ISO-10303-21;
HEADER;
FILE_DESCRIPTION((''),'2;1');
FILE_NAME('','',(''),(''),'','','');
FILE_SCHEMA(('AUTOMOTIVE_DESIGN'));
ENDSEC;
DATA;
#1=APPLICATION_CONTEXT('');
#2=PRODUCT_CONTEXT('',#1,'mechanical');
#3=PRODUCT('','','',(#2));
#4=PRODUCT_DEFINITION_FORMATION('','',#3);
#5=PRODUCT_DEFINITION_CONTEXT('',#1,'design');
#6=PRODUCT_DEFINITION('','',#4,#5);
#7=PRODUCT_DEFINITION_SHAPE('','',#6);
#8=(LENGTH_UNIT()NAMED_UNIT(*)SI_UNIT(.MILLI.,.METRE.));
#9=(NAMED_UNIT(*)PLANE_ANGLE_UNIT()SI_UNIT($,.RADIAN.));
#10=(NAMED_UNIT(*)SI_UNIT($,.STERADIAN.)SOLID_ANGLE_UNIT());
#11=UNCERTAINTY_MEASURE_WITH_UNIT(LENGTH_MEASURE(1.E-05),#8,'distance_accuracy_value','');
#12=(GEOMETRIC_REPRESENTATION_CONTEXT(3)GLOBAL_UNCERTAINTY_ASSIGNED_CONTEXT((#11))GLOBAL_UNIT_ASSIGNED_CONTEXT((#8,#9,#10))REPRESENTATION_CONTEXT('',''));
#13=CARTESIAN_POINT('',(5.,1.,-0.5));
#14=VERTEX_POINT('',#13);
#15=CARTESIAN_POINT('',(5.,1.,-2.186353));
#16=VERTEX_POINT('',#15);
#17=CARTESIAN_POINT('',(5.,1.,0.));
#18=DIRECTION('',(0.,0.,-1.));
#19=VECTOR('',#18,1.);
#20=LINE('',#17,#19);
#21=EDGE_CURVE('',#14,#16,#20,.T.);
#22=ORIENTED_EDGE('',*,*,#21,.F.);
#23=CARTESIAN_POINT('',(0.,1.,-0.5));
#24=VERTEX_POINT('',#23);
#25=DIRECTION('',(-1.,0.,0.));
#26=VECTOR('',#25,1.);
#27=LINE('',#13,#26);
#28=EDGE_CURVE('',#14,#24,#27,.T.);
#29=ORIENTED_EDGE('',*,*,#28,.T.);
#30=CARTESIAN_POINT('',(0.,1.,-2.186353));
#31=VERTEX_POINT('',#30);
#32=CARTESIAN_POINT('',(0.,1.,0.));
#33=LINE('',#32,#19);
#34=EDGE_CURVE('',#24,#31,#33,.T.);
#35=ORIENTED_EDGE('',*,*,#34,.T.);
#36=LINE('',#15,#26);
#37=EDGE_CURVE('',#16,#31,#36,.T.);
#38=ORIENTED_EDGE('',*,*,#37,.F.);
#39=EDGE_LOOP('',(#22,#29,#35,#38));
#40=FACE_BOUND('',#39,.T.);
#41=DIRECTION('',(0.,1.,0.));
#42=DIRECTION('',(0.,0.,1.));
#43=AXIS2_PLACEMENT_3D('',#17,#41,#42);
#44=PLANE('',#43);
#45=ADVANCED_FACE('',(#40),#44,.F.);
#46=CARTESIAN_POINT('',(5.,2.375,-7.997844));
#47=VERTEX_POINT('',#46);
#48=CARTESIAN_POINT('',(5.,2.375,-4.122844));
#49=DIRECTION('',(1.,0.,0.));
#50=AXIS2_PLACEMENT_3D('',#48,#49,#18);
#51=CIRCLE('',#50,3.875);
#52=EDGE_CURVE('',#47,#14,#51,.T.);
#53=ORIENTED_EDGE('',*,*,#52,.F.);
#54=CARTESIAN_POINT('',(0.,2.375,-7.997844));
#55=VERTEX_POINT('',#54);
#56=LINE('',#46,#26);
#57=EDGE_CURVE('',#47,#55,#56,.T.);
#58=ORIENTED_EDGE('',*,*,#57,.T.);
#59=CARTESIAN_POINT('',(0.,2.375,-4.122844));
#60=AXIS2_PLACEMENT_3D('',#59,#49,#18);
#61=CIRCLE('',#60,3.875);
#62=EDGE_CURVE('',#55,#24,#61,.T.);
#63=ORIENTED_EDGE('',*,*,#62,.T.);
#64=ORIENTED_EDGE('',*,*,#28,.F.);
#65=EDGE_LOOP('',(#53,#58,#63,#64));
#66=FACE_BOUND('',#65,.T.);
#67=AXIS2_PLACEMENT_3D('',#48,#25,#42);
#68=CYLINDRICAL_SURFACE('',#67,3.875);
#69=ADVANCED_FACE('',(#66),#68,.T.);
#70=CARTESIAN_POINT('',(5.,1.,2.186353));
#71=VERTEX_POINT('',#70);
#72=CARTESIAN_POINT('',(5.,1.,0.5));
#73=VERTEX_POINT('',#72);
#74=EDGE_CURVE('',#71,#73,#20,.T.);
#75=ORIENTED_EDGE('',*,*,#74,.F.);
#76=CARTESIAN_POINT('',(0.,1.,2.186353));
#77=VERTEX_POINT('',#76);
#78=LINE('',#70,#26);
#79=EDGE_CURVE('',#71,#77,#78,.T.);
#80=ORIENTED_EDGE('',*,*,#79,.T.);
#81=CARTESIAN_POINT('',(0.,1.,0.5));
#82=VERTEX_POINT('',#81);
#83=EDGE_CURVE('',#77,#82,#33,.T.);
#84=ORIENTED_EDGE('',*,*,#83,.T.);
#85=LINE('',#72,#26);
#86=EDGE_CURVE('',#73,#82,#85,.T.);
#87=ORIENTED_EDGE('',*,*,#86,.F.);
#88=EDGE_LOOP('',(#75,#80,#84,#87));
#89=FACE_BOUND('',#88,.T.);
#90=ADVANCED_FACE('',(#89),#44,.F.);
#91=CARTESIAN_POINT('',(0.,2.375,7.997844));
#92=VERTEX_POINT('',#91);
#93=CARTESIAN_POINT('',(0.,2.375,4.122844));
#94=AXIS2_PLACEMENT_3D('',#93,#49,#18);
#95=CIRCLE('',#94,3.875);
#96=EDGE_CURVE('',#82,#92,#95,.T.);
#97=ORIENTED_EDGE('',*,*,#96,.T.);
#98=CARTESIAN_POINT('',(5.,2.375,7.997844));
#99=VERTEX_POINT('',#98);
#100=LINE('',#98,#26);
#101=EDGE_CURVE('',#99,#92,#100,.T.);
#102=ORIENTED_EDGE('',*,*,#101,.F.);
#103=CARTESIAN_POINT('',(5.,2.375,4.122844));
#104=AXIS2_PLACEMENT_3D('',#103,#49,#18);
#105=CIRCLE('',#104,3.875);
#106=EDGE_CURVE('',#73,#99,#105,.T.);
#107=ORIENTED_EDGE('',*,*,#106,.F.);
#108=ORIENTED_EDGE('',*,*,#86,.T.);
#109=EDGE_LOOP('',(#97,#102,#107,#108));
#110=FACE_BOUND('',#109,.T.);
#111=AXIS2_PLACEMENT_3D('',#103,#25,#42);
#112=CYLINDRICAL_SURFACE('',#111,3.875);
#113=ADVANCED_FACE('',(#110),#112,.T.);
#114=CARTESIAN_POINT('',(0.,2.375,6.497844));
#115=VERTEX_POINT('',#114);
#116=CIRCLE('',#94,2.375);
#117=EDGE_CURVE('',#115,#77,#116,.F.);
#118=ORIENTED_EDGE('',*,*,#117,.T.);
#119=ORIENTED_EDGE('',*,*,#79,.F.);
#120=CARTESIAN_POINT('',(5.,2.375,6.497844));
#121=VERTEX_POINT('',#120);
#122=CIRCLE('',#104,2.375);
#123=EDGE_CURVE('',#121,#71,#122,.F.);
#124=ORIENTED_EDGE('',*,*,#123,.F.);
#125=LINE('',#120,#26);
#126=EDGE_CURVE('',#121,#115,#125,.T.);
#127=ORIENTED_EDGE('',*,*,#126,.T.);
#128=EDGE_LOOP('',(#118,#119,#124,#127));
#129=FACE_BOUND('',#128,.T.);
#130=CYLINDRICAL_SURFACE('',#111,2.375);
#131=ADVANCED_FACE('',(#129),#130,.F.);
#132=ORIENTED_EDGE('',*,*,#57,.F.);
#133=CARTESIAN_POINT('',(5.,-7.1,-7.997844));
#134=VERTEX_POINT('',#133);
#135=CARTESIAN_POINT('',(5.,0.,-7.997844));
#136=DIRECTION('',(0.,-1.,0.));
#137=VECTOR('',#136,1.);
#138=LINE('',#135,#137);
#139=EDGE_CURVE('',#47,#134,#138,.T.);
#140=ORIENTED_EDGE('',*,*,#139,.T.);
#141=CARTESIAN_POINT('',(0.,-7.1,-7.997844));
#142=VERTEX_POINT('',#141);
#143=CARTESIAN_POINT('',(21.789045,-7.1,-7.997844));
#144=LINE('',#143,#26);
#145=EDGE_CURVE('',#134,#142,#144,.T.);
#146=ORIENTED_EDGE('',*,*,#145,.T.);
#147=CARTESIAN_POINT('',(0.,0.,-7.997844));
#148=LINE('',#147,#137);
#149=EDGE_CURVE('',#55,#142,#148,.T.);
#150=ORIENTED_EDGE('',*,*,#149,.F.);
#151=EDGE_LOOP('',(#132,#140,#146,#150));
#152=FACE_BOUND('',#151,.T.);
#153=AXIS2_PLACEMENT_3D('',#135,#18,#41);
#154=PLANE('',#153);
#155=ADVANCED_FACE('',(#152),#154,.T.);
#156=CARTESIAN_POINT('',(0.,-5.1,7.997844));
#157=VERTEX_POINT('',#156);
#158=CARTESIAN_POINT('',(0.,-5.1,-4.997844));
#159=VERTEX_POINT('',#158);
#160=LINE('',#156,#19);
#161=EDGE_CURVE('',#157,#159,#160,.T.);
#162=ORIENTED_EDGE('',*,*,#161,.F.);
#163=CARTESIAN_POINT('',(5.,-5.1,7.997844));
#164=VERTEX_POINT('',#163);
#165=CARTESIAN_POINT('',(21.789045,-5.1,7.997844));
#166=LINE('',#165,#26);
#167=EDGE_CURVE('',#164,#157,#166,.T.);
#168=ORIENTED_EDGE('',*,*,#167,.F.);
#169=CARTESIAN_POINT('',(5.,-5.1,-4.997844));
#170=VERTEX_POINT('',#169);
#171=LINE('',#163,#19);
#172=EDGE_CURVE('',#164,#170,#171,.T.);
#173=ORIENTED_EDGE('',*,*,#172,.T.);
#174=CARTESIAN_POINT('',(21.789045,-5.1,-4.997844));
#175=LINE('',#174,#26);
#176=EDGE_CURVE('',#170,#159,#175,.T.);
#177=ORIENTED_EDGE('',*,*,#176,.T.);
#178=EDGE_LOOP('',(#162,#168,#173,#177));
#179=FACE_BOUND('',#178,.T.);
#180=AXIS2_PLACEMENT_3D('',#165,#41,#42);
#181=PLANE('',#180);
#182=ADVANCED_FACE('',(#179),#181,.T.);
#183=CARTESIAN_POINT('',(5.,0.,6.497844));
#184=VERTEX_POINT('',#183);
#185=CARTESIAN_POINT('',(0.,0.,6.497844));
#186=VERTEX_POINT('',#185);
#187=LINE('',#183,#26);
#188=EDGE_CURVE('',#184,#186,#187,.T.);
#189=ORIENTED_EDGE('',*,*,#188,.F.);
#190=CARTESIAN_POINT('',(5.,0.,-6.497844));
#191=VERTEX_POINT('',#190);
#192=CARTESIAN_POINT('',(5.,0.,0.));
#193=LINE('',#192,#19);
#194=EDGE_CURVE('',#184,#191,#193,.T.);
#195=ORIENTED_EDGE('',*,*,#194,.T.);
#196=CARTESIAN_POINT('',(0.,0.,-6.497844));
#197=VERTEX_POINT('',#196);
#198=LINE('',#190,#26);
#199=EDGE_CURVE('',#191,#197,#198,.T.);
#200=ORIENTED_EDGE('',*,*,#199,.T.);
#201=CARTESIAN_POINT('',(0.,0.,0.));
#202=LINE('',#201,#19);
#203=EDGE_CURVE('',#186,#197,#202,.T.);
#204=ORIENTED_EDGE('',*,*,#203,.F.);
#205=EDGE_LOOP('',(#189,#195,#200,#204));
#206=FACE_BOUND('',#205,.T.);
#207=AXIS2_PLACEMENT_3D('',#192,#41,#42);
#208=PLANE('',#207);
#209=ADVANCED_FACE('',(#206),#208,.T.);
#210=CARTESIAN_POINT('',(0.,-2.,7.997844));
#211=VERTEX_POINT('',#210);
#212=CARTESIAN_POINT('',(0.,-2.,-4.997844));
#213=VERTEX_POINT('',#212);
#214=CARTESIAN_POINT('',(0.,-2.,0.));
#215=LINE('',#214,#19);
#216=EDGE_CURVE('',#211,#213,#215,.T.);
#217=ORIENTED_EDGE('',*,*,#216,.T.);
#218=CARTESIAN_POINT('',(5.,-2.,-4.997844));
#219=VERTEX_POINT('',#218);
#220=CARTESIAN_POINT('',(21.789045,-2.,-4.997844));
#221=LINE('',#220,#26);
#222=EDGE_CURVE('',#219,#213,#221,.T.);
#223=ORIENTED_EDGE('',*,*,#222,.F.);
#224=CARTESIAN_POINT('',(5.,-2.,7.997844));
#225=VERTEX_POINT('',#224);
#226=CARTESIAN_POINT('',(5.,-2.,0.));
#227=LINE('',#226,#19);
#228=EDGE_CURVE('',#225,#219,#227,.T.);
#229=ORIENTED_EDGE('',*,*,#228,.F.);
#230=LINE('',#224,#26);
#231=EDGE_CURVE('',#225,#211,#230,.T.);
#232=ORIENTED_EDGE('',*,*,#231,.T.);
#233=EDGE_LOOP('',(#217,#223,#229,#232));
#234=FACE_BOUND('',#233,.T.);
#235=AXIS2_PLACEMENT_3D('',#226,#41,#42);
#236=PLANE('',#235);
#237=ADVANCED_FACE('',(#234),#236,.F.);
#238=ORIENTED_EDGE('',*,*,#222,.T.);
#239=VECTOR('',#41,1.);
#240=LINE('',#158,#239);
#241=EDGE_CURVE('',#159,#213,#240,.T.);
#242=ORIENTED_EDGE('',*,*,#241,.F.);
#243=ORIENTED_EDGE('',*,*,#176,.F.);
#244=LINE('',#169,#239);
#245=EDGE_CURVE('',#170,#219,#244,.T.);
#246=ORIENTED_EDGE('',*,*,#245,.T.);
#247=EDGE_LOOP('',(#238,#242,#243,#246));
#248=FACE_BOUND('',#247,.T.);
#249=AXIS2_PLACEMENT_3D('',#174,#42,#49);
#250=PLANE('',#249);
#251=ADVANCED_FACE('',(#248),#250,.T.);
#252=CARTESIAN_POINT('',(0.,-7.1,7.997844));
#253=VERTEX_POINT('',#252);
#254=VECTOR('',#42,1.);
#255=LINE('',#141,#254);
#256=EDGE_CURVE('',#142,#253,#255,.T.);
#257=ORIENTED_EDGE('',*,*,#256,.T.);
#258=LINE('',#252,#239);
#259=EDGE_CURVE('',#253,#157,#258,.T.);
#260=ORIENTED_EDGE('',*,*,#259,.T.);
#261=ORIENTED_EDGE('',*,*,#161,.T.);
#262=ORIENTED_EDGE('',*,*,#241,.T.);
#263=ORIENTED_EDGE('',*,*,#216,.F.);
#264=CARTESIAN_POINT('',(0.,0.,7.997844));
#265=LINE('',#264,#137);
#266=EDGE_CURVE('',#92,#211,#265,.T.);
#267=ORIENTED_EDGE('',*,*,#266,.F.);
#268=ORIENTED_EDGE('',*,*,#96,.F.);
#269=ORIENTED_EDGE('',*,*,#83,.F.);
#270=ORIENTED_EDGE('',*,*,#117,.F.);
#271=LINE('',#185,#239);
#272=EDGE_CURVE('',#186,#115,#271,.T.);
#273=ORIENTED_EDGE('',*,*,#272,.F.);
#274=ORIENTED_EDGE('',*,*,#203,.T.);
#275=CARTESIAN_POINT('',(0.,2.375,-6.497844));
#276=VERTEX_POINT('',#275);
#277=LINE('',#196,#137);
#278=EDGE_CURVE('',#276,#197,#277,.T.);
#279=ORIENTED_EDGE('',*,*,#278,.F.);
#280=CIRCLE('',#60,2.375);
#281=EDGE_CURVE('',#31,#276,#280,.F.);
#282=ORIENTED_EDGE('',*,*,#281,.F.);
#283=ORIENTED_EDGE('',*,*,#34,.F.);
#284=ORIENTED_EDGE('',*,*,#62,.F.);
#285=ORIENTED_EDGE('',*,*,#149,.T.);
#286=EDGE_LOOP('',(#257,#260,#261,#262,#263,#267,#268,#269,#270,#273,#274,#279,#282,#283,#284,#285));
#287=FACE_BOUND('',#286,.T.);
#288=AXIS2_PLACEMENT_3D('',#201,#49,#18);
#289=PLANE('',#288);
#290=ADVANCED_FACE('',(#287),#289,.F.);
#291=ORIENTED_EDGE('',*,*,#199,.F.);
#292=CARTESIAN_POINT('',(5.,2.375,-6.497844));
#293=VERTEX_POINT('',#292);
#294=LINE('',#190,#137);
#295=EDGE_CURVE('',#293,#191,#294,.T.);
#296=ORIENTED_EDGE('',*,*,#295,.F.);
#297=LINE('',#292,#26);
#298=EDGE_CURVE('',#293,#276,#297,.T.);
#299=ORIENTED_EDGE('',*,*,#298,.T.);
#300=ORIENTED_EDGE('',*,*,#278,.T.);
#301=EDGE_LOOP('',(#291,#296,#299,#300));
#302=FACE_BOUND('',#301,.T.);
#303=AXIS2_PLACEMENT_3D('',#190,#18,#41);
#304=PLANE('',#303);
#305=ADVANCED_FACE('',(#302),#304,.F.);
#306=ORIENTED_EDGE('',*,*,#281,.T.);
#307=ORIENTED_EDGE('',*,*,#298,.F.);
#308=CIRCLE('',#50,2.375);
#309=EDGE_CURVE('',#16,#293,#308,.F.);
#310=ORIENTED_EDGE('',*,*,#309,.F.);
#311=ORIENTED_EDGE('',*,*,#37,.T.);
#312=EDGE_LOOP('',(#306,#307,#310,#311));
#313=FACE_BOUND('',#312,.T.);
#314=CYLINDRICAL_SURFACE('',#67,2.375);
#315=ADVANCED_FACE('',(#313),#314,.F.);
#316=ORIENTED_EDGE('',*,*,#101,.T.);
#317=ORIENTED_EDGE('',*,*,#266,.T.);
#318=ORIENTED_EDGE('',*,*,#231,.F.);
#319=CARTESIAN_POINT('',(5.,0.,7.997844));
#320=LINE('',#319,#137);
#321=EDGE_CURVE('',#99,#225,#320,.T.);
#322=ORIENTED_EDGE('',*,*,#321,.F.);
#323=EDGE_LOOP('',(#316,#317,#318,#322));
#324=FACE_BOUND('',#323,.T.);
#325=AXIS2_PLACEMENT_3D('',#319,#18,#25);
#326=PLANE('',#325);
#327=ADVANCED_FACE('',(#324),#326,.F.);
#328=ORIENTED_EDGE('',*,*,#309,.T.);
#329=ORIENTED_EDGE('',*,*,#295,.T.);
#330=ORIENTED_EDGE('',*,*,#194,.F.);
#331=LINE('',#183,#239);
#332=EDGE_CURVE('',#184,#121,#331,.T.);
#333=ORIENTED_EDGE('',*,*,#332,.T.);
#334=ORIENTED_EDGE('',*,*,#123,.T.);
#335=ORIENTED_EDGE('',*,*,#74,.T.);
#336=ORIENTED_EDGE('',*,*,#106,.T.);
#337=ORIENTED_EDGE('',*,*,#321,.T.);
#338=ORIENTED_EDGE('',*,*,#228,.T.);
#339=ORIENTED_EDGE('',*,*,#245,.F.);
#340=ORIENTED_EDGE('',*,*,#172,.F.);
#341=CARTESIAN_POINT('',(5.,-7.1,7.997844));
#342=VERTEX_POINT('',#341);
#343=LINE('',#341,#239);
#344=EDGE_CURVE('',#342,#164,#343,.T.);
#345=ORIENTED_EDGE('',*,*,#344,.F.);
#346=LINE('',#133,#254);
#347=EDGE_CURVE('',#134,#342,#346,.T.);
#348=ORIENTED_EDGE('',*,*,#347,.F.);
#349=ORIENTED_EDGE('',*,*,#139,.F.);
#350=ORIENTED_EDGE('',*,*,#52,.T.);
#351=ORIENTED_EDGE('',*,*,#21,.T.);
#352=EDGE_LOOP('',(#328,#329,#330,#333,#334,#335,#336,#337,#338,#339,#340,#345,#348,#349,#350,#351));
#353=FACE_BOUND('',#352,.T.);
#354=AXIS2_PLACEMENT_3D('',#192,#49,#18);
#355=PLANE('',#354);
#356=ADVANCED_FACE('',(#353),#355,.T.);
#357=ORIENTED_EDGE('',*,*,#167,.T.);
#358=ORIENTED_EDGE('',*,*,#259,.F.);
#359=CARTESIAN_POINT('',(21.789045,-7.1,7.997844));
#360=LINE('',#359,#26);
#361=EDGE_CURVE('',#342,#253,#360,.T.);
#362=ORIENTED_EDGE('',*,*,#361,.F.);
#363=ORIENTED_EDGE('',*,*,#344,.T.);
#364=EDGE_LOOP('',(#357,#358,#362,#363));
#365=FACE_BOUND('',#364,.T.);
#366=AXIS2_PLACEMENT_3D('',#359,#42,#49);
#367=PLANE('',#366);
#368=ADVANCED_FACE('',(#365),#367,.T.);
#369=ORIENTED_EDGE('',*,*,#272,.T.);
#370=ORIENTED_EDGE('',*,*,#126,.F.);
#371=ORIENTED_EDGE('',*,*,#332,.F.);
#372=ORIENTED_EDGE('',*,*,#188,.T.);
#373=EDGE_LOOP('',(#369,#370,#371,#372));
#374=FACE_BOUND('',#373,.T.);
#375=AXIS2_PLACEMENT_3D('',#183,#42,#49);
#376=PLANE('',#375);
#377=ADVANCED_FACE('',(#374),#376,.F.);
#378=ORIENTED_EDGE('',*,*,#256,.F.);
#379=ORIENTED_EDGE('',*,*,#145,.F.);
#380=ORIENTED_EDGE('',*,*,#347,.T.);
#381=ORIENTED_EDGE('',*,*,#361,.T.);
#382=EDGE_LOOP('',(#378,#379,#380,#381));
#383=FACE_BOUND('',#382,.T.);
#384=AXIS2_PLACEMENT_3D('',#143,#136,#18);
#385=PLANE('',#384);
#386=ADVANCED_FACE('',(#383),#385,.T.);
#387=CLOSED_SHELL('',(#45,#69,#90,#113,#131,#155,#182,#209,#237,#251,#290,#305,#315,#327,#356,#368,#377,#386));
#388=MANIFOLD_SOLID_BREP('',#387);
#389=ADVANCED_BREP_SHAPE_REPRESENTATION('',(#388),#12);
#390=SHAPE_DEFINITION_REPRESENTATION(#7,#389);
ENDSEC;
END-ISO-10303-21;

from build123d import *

# Parameters (mm, degrees)
BOSS_EXTRUDE1_DEPTH = 5
BOSS_EXTRUDE2_DEPTH = 5


with BuildPart() as part:
    # Sketch1 → Boss-Extrude1 (new body)
    with BuildSketch(Plane(origin=(0, 0, 0), x_dir=(0, 0, -1), z_dir=(1, 0, 0))):
        with BuildLine():
            Line((-7.997844187, 2.375), (-7.997844187, -2))
            Line((-7.997844187, -2), (7.997844187, -2))
            Line((7.997844187, -2), (7.997844187, 2.375))
            ThreePointArc((7.997844187, 2.375), (3.423879317, 6.186439769), (0.5, 1))
            Line((0.5, 1), (2.186352513, 1))
            ThreePointArc((2.186352513, 1), (3.401228889, 4.637718799), (6.497844187, 2.375))
            Line((6.497844187, 2.375), (6.497844187, 0))
            Line((6.497844187, 0), (-6.497844187, 0))
            Line((-6.497844187, 0), (-6.497844187, 2.375))
            ThreePointArc((-6.497844187, 2.375), (-3.401228889, 4.637718799), (-2.186352513, 1))
            Line((-2.186352513, 1), (-0.5, 1))
            ThreePointArc((-0.5, 1), (-3.423879317, 6.186439769), (-7.997844187, 2.375))
        make_face()
    extrude(amount=BOSS_EXTRUDE1_DEPTH)

    # Sketch2 → Boss-Extrude2 (add)
    with BuildSketch(Plane.ZY):
        Polygon((-7.997844187, -2), (-7.997844187, -7.1), (7.997844187, -7.1), (7.997844187, -5.1), (-4.997844187, -5.1), (-4.997844187, -2), align=None)
    extrude(amount=-BOSS_EXTRUDE2_DEPTH)


solid = part.part
